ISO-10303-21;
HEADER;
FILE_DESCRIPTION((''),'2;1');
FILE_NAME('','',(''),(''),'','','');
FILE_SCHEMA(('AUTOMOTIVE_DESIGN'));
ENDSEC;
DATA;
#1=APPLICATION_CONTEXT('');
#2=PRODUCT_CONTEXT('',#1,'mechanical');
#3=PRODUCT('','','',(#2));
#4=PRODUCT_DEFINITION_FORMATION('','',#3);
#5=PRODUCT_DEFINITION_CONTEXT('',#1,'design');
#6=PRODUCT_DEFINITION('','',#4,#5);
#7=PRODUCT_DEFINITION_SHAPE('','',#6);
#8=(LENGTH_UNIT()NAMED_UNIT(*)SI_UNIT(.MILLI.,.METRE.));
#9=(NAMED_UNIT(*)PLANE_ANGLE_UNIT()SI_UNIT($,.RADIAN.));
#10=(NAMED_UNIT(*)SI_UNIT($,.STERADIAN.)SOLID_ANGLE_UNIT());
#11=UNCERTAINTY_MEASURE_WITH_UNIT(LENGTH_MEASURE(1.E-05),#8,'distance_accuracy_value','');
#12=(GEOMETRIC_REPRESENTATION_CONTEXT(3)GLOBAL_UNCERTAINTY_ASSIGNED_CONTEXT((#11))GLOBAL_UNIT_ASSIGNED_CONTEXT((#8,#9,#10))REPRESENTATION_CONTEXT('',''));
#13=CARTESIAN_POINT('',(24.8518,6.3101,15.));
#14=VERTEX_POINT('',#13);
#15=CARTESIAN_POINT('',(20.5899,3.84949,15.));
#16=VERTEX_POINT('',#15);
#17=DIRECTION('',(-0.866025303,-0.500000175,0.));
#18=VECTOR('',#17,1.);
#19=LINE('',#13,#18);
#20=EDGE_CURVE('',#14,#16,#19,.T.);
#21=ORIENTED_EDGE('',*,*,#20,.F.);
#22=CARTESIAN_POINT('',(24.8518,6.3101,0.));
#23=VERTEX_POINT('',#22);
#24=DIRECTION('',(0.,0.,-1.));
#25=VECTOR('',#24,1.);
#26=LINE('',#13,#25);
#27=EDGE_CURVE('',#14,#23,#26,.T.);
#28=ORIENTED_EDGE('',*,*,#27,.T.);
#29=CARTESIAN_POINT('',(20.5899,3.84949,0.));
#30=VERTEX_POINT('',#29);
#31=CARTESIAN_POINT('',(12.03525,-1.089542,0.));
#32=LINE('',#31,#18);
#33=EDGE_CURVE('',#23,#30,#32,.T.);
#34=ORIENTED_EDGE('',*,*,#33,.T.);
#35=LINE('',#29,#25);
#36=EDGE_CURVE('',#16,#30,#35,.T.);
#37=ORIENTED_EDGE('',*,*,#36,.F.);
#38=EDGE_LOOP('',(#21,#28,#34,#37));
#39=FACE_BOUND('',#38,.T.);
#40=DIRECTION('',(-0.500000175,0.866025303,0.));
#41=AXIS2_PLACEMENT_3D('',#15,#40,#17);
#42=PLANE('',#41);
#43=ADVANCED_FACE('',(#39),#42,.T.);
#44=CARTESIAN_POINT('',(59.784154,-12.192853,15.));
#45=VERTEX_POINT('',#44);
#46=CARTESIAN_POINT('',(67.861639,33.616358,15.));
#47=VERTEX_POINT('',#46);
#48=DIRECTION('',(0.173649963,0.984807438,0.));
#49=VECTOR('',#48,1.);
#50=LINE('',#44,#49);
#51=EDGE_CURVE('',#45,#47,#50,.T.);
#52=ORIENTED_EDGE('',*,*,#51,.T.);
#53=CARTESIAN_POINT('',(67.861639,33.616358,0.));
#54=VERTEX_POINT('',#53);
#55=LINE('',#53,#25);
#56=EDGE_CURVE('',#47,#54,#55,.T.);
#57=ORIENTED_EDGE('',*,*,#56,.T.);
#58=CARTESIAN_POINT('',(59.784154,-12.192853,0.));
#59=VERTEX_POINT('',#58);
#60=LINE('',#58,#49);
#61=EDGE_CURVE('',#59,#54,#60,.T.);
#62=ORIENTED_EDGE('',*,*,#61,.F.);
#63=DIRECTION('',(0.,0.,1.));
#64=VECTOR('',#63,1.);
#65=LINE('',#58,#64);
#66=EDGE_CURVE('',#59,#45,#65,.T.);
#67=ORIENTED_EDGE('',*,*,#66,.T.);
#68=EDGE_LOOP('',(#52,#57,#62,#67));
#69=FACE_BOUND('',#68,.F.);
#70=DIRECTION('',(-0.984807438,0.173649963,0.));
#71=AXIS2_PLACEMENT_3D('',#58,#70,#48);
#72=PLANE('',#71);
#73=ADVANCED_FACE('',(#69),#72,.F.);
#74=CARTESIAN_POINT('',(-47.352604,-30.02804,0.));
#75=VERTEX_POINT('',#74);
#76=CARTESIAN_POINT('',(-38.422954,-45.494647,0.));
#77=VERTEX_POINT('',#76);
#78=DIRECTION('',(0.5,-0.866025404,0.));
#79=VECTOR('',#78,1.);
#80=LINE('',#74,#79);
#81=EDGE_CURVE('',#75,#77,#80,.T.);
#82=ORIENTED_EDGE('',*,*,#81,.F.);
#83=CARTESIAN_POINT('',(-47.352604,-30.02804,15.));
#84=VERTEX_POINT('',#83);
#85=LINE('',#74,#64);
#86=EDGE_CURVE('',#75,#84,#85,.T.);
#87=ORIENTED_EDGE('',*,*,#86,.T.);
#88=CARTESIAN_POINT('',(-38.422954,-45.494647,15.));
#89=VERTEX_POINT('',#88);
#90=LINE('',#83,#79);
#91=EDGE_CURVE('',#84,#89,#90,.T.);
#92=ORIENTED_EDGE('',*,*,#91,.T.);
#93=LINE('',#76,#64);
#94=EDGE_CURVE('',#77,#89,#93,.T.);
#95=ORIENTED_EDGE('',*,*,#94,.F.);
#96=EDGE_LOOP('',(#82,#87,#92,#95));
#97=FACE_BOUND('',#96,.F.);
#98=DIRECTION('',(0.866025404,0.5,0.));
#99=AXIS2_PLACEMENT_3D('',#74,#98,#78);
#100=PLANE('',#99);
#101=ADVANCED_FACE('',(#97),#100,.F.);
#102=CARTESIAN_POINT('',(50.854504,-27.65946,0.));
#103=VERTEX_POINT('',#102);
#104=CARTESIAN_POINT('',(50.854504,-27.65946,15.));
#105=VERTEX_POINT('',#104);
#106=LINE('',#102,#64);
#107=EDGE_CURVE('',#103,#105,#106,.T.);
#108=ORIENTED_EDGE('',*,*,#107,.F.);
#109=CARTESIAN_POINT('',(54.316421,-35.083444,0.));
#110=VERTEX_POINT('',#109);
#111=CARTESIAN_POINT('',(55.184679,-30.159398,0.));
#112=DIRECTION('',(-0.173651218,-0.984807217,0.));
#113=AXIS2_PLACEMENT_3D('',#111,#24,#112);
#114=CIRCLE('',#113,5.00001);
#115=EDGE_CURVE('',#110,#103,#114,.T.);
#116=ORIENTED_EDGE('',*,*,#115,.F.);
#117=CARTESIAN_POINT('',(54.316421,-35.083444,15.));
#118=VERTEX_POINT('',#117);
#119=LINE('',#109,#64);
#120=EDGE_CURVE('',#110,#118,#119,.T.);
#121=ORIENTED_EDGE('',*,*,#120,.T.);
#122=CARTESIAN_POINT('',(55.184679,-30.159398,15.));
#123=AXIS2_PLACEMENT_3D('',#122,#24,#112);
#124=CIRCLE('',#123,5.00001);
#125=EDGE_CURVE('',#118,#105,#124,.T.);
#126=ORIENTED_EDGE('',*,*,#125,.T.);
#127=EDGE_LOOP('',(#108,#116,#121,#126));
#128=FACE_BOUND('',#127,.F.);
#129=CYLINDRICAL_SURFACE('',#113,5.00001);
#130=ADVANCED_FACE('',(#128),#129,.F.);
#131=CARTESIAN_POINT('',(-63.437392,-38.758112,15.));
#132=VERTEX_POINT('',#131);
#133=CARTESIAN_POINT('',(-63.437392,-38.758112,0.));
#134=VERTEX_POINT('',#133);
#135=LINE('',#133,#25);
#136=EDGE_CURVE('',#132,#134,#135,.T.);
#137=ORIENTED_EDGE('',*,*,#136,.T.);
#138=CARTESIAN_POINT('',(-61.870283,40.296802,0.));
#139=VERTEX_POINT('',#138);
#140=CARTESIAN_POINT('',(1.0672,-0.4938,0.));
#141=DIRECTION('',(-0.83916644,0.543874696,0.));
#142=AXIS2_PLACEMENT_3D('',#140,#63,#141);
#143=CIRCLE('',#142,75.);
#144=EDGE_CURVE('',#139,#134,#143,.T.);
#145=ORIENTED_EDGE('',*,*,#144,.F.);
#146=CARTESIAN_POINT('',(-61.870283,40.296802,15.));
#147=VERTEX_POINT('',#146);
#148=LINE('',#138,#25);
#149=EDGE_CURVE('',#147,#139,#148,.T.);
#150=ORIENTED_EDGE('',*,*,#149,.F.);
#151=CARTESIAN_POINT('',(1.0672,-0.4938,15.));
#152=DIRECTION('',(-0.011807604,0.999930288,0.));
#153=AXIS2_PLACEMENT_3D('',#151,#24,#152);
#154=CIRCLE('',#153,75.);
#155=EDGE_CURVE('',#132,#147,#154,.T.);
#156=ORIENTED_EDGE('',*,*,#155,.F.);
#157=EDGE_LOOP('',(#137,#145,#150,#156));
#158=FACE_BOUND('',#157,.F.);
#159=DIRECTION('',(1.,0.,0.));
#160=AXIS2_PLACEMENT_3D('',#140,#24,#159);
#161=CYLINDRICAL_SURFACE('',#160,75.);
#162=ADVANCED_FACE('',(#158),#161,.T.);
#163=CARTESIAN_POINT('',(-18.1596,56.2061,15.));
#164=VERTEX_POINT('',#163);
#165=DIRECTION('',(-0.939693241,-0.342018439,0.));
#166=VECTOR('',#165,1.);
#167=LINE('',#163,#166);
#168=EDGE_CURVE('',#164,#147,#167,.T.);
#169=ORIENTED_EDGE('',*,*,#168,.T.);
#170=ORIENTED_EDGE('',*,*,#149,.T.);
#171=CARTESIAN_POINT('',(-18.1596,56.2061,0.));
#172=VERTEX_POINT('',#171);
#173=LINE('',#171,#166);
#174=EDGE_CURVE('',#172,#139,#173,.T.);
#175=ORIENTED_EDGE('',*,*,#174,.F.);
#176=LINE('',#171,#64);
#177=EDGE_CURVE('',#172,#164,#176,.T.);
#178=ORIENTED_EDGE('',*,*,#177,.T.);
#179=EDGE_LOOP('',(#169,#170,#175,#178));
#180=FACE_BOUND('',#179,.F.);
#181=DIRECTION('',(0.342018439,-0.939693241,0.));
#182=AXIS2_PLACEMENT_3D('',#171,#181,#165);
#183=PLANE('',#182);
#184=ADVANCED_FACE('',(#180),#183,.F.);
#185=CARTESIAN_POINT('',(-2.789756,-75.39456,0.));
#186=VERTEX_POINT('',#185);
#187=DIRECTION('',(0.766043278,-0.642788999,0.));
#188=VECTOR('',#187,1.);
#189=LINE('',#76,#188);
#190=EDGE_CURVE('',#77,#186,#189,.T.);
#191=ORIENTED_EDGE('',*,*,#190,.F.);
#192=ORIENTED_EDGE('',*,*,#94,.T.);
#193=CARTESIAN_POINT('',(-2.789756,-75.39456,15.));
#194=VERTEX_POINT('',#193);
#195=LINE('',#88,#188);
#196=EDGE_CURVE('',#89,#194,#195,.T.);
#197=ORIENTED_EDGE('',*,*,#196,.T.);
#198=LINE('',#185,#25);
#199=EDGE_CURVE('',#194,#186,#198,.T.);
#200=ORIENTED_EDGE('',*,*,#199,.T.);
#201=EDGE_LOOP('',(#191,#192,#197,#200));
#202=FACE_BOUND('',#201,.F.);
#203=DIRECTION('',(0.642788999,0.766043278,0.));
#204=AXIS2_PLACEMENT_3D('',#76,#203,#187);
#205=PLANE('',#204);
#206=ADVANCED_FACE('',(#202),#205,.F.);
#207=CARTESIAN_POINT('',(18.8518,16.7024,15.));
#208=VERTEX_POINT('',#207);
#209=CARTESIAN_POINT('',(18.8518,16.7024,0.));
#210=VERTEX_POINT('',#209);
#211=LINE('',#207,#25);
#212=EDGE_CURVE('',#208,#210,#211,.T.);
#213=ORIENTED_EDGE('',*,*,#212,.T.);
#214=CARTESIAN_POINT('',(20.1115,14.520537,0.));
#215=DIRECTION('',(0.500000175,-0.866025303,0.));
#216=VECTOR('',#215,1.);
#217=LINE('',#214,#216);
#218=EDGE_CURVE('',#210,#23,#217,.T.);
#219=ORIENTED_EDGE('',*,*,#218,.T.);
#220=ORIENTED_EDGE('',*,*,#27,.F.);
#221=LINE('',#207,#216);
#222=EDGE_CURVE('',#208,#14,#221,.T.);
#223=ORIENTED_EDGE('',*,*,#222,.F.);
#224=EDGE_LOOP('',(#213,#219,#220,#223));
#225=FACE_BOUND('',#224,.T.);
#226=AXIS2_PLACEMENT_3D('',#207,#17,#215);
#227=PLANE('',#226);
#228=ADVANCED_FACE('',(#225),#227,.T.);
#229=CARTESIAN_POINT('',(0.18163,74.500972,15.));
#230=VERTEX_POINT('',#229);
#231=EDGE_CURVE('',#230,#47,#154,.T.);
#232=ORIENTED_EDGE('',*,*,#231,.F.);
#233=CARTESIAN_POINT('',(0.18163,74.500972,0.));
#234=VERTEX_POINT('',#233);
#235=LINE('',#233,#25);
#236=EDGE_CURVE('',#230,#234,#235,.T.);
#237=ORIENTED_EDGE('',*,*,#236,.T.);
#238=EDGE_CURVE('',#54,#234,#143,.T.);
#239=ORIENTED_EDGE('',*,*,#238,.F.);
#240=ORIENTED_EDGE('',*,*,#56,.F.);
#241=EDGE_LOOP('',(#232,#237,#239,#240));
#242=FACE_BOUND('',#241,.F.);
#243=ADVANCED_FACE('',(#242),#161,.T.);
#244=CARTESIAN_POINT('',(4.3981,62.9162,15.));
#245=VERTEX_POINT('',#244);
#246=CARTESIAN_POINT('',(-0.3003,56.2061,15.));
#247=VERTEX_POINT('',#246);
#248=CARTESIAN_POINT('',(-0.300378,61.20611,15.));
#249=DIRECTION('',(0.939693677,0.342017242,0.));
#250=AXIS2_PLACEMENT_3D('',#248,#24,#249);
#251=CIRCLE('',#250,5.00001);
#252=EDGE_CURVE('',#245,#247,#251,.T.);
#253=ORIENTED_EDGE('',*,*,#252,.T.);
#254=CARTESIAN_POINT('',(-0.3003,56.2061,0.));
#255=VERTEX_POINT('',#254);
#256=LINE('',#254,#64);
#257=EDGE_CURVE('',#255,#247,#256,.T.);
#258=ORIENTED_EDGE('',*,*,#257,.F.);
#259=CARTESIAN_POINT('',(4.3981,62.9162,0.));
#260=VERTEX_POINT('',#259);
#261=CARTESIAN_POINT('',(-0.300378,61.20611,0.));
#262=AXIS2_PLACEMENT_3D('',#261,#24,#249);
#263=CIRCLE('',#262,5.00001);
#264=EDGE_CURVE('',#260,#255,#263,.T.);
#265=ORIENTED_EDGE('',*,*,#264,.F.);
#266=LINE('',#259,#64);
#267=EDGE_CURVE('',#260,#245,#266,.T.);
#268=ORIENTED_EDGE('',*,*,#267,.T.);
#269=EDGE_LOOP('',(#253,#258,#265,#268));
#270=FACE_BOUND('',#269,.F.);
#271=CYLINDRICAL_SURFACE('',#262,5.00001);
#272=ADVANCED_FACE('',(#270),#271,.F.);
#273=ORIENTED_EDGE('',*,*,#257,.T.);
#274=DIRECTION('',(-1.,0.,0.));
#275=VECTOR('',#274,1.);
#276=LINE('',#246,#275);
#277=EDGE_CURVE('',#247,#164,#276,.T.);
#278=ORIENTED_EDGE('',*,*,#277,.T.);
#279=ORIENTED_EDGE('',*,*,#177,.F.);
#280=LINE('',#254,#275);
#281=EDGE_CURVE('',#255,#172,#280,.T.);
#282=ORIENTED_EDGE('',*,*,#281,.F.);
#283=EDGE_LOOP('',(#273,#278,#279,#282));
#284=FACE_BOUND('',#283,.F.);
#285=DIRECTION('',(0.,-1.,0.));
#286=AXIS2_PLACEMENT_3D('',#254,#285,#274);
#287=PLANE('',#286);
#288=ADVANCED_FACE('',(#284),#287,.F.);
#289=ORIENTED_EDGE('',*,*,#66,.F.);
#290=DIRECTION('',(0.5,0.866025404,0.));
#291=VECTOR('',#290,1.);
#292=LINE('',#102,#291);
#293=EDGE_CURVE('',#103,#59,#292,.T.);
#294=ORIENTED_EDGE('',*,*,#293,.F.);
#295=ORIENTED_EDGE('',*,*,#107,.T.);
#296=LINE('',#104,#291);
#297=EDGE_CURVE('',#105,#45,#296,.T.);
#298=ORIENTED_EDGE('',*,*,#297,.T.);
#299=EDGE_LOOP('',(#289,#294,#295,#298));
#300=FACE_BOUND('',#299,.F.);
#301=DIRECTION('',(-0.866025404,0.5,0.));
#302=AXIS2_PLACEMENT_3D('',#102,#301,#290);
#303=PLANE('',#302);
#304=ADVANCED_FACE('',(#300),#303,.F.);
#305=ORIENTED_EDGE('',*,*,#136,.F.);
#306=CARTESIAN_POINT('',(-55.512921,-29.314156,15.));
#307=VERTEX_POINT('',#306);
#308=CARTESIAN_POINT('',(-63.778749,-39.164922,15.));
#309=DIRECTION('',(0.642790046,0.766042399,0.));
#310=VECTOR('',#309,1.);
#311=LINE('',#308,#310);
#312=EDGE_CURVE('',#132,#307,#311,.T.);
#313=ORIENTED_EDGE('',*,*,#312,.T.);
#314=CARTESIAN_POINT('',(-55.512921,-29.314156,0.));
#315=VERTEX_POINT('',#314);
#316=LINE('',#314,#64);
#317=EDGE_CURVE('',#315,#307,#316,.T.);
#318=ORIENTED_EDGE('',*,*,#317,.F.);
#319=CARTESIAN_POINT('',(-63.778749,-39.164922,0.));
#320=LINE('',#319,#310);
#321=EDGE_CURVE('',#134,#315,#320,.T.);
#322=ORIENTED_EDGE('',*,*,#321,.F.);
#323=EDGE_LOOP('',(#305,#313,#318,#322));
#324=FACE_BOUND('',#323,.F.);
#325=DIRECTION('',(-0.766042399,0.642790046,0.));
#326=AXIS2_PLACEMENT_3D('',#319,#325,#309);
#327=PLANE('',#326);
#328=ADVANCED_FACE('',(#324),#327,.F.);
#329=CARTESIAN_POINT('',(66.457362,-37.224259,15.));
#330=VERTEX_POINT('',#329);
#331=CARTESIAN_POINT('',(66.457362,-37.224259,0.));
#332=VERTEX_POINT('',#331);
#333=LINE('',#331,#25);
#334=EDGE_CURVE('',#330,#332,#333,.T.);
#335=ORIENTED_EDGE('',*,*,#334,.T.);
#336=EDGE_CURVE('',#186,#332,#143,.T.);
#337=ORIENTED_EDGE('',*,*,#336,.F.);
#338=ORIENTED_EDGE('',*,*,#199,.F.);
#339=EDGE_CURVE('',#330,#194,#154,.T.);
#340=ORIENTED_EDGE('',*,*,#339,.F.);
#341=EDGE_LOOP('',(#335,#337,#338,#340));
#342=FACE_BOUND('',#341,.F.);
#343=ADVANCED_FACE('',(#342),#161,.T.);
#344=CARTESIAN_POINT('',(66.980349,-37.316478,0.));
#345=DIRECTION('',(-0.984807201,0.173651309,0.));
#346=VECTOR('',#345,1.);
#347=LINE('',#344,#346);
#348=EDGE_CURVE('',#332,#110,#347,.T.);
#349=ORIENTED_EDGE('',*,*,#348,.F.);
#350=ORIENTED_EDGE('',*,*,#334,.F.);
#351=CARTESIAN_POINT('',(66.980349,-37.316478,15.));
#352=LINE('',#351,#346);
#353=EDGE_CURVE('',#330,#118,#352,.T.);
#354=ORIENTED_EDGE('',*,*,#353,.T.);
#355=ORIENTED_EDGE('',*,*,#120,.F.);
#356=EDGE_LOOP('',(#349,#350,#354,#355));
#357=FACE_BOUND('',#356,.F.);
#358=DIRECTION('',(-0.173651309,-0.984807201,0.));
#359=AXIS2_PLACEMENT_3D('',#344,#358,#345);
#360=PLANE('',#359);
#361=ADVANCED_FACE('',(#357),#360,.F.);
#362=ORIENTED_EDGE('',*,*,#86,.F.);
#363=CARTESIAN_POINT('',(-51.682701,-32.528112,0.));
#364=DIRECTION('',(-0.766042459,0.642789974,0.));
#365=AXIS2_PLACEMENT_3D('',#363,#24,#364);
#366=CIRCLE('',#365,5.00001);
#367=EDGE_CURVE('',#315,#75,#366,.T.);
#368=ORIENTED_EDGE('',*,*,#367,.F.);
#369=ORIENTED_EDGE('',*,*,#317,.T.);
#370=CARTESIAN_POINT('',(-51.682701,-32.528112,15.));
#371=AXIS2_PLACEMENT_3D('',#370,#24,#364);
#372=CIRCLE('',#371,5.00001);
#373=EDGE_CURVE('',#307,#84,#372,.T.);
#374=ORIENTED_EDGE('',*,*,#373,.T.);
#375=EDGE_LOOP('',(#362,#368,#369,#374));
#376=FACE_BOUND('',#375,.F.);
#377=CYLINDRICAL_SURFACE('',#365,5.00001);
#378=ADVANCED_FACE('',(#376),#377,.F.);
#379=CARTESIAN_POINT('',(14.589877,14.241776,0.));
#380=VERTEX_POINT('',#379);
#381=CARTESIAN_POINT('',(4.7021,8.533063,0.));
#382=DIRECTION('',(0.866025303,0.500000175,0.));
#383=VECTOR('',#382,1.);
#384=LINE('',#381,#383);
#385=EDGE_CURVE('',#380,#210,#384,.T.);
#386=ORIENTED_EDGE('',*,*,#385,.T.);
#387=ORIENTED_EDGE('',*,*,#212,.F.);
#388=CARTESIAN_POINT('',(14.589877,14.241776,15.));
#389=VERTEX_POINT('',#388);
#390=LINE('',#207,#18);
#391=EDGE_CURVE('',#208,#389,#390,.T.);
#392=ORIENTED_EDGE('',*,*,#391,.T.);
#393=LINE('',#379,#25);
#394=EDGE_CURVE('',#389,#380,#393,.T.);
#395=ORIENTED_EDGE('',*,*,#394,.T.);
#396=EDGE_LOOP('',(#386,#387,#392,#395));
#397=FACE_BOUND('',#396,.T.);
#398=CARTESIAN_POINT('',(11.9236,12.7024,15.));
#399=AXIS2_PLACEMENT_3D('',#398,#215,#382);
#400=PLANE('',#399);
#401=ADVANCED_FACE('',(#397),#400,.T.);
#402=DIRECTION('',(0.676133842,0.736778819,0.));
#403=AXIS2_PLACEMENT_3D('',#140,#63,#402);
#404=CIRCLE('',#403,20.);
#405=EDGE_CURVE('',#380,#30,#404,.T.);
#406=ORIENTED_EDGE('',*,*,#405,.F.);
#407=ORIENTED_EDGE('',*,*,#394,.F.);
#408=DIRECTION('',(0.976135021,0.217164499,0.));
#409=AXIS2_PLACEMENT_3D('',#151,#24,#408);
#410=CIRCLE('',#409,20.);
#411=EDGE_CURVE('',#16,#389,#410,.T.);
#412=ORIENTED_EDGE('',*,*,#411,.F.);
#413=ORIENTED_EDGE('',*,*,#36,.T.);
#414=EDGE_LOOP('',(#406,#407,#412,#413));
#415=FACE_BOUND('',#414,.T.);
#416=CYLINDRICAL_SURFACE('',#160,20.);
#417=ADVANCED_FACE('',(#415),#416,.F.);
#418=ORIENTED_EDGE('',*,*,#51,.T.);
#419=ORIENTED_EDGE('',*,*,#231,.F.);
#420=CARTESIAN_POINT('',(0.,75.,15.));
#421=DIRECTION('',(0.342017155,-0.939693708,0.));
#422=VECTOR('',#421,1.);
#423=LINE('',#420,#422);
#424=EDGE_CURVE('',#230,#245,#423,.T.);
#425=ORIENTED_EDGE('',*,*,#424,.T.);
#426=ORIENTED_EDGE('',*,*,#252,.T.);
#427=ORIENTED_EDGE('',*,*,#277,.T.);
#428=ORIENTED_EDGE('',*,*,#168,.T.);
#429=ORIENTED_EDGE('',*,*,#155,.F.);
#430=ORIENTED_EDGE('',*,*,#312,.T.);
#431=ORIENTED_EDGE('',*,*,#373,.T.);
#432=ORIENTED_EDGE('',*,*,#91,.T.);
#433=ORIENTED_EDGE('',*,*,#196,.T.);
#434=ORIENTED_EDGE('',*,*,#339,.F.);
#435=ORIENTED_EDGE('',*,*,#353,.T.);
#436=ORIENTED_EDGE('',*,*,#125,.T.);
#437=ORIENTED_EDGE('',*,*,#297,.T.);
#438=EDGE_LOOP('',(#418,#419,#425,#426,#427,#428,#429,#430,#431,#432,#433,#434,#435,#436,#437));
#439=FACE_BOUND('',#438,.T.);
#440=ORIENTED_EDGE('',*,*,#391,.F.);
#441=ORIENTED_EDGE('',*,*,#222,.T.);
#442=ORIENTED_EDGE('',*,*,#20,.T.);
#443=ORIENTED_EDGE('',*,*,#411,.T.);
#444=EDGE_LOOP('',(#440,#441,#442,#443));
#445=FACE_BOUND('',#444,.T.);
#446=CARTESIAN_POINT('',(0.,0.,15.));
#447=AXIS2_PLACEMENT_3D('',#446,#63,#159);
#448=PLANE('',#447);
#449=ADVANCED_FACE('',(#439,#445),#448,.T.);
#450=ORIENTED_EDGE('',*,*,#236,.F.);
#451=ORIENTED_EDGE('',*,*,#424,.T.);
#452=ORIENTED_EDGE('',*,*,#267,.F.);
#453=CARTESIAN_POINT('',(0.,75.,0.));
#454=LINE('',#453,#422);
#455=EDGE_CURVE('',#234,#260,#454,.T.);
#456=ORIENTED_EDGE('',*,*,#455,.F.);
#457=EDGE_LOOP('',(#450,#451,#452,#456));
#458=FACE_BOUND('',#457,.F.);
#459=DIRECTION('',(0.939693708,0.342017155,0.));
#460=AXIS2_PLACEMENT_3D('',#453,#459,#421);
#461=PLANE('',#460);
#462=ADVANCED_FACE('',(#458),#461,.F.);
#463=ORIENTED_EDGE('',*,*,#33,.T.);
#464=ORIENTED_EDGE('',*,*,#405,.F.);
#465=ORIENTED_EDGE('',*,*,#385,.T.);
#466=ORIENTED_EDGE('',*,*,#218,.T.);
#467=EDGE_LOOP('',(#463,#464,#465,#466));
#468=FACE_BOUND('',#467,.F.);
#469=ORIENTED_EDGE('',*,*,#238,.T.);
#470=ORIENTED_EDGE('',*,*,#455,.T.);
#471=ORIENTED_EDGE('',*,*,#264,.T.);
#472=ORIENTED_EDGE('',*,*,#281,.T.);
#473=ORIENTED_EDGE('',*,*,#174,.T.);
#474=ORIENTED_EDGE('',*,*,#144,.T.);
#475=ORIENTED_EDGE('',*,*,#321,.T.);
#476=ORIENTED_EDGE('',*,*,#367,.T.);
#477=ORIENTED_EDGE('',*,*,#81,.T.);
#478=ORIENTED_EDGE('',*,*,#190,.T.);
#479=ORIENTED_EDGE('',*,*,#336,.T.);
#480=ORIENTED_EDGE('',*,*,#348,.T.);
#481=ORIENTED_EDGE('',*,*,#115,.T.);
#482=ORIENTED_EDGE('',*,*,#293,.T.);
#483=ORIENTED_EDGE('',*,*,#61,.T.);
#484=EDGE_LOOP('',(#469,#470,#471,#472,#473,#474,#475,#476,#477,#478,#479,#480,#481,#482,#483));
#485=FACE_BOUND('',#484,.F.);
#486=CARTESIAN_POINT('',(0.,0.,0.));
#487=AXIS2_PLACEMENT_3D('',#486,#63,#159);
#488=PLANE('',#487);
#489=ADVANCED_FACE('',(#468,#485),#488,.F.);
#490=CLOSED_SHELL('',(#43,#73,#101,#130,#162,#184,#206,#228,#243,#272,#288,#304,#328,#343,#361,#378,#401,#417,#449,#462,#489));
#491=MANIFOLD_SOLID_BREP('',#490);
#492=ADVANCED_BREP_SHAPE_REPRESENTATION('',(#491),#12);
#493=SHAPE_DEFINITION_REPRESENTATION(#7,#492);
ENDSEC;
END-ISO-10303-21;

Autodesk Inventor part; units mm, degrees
ref_plane "YZ Plane" through (0, 0, 0) normal (1, 0, 0) x (0, 1, 0)
ref_plane "XZ Plane" through (0, 0, 0) normal (0, 1, 0) x (-1, 0, 0)
ref_plane "XY Plane" through (0, 0, 0) normal (0, 0, 1) x (1, 0, 0)
sketch "Sketch1" plane through (0, 0, 0) normal (0, 0, 1) x (1, 0, 0)
  line L0 (-74.9186, 47.1822) -> (53.4099, 57.2393) construction
  line L1 (53.4099, 57.2393) -> (63.1167, -66.6187) construction
  line L2 (63.1167, -66.6187) -> (-65.2118, -76.6758) construction
  line L3 (-65.2118, -76.6758) -> (-74.9186, 47.1822) construction
  line L4 (6, 16) -> (-6, 24) construction
  line L5 (0, 20) -> (6, 24) construction
  circle A0 centre (1.0672, -0.4938) radius 75
  line L6 (1.0672, 74.5062) -> (1.0672, -0.4938) construction
  line L7 (1.0672, 74.5062) -> (5.6579, 61.8933)
  line L8 (1.0672, 74.5062) -> (14.4896, 74.5062) construction
  line L9 (1.3501, 55.1985) -> (-17.016, 53.7591)
  line L10 (-17.016, 53.7591) -> (-67, 31)
  arc A1 (1.3501, 55.1985) -> (5.6579, 61.8933) centre (0.9595, 60.1832) ccw
  circle A2 centre (1.0672, -0.4938) radius 20
  point P0 (0, 0)
  point P1 (7.9076, 55.7124)
  dimension "d2" = 12
  dimension "d4" = 150
  dimension "d5" = 20
  dimension "d6" = 70
  dimension "d8" = 25
  dimension "d10" = 160
  dimension "d11" = 5
  dimension "d23" = 40
ref_plane "Work Plane1" through (0, 0, 0) normal (0, 0, -1) x (-1, 0, 0)
sketch "Sketch2" plane through (0, 0, 0) normal (0, 0, -1) x (-1, 0, 0)
  line L0 (0, 75) -> (-4.3981, 62.9162) projected
  arc A0 (-4.3981, 62.9162) -> (0.3003, 56.2061) centre (0.3003, 61.2061) ccw projected
  line L1 (0.3003, 56.2061) -> (18.1596, 56.2061) projected
  line L2 (18.1596, 56.2061) -> (63.6666, 39.643) projected
  arc A1 (63.6666, 39.643) -> (0, 75) centre (27.2068, 48.9906) ccw
  point P0 (0, 0)
extrude "Extrusion3" add sketch "Sketch1" along normal blind 15
extrude "Extrusion4" cut sketch "Sketch2" against normal blind 15
pattern_circular "Circular Pattern2" count 3 over 360 about axis through (1.0672, -0.4938, 0) along (0, 0, 1) of "Extrusion4"
sketch "Sketch3" plane through (0, 0, 0) normal (0, 0, -1) x (-1, 0, 0)
  circle A0 centre (-1.0672, -0.4938) radius 20 projected
  point P0 (0, 0)
sketch "Sketch4" plane through (0, 0, 15) normal (0, 0, 1) x (1, 0, 0)
  circle A0 centre (1.0672, -0.4938) radius 20 projected
  line L0 (17.9236, 2.3101) -> (11.9236, 12.7024)
  line L1 (11.9236, 12.7024) -> (18.8518, 16.7024)
  line L2 (18.8518, 16.7024) -> (24.8518, 6.3101)
  line L3 (24.8518, 6.3101) -> (17.9236, 2.3101)
  line L4 (17.9236, 2.3101) -> (18.8518, 16.7024) construction
  line L5 (11.9236, 12.7024) -> (24.8518, 6.3101) construction
  point P0 (0, 0)
  point P1 (18.3877, 9.5062)
  dimension "d35" = 12
  dimension "d36" = 8
extrude "Extrusion5" cut sketch "Sketch4" against normal through all contours L3 L0 L1 A0 | A0 L1 L2 L3 picked at (15.7106, 8.7411)
properties part number "pisau ok2" material "Stainless Steel"
